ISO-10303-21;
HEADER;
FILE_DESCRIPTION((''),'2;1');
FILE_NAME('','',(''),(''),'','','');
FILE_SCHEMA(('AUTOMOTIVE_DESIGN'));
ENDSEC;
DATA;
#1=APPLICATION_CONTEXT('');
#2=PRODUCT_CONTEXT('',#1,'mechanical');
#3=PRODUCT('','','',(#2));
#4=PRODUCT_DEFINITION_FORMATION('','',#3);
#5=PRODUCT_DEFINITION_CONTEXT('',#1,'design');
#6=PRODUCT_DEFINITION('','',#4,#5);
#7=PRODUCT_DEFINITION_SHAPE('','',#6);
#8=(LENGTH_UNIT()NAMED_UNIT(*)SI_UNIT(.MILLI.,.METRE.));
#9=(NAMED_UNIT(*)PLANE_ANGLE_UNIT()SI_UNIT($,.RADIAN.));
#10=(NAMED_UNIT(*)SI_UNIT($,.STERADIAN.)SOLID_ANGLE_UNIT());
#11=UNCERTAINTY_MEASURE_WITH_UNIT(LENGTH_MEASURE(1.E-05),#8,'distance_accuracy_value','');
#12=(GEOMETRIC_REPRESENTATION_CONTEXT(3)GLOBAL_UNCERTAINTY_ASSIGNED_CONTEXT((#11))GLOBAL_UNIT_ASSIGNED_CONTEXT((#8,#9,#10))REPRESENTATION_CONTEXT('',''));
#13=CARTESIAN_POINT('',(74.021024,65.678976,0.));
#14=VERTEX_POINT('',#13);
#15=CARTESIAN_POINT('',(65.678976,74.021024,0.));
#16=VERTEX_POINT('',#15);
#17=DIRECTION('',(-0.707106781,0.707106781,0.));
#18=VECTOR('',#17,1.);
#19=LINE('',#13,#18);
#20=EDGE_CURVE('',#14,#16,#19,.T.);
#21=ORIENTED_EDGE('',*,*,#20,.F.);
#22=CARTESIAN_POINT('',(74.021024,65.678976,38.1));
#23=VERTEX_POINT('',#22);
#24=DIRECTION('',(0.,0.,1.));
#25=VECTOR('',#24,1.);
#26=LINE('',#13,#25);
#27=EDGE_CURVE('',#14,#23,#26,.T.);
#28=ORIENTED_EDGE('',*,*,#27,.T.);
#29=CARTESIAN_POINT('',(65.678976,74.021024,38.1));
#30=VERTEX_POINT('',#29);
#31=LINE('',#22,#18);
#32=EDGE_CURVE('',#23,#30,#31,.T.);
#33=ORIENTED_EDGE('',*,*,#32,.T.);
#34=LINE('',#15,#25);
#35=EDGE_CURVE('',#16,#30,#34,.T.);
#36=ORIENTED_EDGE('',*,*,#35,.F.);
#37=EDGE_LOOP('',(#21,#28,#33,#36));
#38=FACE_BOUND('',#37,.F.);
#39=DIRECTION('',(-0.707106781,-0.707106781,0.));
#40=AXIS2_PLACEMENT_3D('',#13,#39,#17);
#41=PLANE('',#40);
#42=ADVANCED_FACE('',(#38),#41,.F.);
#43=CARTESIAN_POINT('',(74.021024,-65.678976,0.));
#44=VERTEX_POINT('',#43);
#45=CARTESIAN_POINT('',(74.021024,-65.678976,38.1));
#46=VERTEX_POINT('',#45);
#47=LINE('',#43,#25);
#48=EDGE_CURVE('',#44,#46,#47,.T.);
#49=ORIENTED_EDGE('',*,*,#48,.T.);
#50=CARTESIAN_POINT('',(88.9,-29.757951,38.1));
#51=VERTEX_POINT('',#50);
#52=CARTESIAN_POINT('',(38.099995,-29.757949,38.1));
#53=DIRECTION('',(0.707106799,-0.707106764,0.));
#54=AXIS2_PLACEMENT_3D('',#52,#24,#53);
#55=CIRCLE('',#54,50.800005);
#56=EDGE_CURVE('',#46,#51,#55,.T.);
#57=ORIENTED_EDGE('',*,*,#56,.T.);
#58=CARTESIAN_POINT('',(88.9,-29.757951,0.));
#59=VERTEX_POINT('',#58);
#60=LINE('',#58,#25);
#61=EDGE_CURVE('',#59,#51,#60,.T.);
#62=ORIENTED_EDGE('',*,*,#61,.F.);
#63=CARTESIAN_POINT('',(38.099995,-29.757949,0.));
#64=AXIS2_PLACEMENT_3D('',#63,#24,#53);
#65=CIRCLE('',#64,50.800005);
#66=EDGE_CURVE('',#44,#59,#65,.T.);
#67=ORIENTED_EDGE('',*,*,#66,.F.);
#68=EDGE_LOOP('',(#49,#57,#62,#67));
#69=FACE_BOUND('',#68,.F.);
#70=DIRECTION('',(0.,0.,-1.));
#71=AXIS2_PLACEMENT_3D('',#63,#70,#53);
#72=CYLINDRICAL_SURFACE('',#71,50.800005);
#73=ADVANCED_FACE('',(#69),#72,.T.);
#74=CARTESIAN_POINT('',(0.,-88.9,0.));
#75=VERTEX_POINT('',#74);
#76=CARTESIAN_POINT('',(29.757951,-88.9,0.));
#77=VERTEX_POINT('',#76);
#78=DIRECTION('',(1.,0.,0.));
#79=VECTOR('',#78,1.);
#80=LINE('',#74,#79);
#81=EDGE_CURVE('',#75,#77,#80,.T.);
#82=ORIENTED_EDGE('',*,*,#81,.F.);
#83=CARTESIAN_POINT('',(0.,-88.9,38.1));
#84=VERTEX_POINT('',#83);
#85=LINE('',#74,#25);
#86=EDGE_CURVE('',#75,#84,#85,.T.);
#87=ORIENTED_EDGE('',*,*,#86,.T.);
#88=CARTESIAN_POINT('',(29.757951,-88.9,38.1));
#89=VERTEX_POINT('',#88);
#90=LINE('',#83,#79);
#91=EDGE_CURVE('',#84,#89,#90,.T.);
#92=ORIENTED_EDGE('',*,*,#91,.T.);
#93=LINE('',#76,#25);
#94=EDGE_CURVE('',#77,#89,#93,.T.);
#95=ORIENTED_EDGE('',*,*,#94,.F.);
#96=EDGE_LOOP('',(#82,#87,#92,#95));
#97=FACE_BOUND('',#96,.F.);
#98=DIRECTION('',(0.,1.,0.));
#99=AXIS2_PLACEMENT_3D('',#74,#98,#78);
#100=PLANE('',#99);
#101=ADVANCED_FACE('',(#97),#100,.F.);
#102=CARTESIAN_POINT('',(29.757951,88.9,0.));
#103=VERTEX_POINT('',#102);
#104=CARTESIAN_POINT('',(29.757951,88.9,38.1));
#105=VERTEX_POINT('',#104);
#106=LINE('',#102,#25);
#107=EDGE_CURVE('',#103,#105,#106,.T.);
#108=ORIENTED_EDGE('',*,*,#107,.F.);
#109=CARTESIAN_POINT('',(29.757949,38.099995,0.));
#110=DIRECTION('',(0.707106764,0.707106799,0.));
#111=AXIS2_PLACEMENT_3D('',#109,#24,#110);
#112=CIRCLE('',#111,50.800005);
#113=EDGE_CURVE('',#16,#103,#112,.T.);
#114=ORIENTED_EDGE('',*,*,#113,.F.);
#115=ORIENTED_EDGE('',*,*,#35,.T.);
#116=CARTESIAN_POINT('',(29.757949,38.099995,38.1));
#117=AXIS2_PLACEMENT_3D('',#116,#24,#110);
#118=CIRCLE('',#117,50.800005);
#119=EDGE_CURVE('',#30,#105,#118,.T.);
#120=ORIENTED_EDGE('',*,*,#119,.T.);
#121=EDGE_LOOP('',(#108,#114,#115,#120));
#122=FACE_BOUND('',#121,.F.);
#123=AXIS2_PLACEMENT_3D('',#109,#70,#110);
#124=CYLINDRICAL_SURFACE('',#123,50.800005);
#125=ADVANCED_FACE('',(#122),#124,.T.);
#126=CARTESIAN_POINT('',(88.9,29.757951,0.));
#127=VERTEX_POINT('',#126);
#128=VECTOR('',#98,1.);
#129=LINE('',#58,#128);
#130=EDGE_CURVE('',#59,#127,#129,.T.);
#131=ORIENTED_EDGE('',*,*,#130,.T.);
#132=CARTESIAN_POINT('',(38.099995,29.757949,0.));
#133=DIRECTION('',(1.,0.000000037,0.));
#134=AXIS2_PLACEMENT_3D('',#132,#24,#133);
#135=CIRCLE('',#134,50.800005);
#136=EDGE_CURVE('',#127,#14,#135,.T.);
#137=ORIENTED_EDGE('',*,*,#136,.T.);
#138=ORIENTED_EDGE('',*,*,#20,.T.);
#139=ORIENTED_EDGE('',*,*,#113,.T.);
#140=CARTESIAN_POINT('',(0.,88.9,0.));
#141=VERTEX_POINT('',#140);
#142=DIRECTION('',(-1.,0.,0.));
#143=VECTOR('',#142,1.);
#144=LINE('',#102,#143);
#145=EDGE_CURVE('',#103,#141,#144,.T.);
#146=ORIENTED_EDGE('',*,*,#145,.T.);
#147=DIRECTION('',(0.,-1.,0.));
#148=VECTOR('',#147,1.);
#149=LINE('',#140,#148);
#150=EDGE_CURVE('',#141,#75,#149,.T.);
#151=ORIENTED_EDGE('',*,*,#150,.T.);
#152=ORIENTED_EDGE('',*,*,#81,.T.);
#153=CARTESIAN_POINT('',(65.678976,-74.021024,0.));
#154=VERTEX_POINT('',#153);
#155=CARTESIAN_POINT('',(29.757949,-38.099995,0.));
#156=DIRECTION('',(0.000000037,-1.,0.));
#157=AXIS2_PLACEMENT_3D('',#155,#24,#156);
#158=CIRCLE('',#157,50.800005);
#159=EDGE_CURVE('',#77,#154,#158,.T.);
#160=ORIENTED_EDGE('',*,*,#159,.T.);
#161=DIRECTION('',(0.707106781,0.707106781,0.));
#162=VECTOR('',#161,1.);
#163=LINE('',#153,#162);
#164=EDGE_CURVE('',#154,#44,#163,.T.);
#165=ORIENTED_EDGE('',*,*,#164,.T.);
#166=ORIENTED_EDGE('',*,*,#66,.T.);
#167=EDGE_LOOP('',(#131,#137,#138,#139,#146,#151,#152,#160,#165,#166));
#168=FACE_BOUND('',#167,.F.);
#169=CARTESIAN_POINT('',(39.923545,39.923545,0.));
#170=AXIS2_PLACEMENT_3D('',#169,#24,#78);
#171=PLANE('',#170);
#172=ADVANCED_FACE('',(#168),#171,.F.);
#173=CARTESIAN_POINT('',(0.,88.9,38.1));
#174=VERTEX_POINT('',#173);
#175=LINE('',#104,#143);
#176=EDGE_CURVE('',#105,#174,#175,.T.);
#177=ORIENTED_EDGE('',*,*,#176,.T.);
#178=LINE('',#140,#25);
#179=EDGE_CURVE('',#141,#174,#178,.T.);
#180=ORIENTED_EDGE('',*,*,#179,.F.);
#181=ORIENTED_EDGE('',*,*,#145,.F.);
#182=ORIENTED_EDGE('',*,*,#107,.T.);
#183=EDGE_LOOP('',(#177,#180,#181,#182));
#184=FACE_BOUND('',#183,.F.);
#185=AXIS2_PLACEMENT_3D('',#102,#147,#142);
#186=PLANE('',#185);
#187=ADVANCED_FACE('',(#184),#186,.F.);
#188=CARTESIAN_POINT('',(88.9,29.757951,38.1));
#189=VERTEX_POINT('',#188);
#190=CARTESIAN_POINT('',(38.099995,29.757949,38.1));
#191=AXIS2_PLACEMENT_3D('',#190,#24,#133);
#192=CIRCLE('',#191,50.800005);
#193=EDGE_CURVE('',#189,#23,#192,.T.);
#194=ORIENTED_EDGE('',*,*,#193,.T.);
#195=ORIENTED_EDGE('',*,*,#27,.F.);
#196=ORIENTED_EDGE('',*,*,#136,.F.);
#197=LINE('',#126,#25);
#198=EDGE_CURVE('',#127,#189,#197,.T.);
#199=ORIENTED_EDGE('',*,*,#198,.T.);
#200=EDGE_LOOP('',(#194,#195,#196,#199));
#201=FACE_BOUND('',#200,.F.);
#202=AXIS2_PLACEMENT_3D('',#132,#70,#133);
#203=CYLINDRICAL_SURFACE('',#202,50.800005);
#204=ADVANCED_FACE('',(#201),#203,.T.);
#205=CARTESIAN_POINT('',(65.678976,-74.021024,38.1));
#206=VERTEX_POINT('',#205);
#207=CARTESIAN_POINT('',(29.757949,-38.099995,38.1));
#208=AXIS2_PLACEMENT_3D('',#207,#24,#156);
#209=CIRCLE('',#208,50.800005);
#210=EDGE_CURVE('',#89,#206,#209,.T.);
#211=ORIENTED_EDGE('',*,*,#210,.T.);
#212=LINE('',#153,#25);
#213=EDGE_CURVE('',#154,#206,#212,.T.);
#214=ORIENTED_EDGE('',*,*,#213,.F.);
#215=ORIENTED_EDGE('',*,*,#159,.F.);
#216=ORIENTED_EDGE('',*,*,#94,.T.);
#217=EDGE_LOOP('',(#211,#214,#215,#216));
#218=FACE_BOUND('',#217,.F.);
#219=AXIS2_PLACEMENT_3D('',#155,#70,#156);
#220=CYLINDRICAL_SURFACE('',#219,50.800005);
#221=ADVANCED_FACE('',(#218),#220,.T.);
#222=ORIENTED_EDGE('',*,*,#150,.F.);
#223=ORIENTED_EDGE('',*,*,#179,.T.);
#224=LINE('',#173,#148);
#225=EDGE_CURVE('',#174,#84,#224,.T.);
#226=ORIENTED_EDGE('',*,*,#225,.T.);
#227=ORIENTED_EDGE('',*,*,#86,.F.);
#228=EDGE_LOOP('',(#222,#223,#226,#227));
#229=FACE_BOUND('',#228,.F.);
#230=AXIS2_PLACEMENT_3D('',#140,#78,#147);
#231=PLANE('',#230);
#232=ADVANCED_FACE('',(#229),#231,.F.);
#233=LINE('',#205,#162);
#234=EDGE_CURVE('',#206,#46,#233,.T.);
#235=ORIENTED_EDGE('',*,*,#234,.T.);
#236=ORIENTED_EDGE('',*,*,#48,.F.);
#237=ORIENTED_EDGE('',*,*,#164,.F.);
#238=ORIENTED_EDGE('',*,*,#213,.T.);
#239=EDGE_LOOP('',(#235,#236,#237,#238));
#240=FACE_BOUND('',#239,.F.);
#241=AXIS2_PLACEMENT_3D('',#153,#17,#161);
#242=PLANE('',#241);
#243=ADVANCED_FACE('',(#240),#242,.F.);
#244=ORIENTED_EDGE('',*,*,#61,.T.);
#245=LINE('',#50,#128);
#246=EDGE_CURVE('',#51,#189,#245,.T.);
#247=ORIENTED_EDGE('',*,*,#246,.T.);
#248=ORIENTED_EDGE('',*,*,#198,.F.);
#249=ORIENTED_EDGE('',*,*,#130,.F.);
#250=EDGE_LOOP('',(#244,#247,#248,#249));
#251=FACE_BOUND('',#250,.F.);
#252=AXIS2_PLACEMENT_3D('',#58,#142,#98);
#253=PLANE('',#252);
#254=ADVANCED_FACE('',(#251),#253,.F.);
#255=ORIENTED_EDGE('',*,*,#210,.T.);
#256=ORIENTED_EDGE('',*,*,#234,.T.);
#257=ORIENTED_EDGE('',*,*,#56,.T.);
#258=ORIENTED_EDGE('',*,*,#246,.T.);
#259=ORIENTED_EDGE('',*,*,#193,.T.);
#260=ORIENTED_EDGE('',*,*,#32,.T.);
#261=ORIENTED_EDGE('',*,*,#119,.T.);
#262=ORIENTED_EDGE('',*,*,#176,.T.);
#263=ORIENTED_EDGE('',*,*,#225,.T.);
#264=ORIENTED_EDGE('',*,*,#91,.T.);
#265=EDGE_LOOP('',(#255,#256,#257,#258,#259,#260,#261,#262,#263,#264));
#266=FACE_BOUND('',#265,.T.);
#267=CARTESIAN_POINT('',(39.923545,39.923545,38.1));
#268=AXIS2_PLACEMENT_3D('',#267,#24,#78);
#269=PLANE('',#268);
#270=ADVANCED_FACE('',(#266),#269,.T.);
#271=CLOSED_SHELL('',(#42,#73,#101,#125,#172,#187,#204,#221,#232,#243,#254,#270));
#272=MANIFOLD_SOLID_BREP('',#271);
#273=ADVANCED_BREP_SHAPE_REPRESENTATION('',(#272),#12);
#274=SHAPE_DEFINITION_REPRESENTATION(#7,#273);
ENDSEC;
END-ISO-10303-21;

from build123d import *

# Parameters (mm, degrees)
F1_DEPTH = 38.1


with BuildPart() as f1:
    # F0 (on Top) → F1 (new body)
    with BuildSketch(Plane.XY):
        with BuildLine():
            Line((0, 88.9), (0, 0))
            Line((0, 0), (88.9, 0))
            Line((88.9, 0), (88.9, 29.757951))
            ThreePointArc((88.9, 29.757951), (85.03308, 49.198269), (74.021024, 65.678976))
            Line((74.021024, 65.678976), (65.678976, 74.021024))
            ThreePointArc((65.678976, 74.021024), (49.198269, 85.03308), (29.757951, 88.9))
            Line((29.757951, 88.9), (0, 88.9))
        make_face()
        with BuildLine():
            Line((88.9, 0), (0, 0))
            Line((0, 0), (0, -88.9))
            Line((0, -88.9), (29.757951, -88.9))
            ThreePointArc((29.757951, -88.9), (49.198269, -85.03308), (65.678976, -74.021024))
            Line((65.678976, -74.021024), (74.021024, -65.678976))
            ThreePointArc((74.021024, -65.678976), (85.03308, -49.198269), (88.9, -29.757951))
            Line((88.9, -29.757951), (88.9, 0))
        make_face()
    extrude(amount=F1_DEPTH)


solid = f1.part
